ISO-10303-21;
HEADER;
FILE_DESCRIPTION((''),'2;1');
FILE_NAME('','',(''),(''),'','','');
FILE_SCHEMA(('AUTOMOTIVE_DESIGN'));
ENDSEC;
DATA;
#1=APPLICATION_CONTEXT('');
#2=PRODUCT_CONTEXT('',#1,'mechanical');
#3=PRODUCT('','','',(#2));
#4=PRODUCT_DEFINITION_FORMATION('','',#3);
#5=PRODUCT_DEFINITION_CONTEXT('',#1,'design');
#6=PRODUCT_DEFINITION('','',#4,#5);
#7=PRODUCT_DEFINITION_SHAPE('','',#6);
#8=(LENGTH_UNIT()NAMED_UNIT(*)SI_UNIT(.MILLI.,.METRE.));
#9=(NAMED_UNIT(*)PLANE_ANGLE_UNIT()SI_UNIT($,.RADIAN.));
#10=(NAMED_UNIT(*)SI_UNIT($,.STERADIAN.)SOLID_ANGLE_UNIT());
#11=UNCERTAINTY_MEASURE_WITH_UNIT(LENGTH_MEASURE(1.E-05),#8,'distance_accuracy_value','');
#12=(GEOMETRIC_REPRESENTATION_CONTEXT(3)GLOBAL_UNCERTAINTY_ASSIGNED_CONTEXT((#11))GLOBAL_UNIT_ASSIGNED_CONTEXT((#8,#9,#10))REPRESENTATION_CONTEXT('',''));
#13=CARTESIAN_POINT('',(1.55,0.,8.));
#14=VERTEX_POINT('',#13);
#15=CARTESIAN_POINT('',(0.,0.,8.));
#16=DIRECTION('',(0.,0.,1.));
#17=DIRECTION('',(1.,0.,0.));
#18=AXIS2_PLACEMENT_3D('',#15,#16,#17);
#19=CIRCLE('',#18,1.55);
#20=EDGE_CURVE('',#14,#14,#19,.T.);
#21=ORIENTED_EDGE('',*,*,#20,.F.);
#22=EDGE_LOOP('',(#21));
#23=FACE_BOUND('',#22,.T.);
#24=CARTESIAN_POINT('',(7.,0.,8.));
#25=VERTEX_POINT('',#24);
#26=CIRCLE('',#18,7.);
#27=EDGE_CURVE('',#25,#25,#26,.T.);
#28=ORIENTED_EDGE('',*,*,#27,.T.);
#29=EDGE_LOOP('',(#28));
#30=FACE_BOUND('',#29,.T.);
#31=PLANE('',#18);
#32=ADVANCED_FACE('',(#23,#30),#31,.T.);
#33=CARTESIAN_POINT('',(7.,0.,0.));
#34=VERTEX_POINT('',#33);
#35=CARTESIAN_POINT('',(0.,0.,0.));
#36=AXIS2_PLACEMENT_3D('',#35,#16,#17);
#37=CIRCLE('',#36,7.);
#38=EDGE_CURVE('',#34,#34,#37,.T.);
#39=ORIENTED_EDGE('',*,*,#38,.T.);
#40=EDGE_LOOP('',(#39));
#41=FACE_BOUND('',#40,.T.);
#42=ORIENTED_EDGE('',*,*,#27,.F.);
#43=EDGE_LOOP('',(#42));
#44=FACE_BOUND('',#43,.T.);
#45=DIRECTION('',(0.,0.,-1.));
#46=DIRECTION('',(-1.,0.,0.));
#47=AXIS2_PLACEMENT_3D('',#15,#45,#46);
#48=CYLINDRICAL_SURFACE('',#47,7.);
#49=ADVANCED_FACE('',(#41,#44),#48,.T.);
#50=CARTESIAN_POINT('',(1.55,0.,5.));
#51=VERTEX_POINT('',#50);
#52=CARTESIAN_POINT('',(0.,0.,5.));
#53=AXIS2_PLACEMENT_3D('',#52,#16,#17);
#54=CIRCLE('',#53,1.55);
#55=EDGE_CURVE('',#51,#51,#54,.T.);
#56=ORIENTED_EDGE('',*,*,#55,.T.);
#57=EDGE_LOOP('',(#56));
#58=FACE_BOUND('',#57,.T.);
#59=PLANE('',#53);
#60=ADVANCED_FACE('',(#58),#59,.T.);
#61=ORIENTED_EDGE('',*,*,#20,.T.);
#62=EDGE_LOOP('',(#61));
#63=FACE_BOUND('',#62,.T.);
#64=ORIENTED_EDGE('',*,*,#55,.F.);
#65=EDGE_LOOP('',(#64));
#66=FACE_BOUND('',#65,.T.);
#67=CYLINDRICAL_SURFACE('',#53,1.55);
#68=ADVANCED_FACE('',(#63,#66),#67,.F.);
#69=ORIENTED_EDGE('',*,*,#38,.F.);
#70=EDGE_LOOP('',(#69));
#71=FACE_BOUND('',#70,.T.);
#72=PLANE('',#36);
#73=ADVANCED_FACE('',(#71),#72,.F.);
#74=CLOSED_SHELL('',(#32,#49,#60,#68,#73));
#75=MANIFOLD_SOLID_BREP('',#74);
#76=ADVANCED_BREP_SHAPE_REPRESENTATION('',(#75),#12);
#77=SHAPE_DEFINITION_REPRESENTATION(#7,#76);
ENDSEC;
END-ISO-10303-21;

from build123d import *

# Parameters (mm, degrees)
SKETCH1_R           = 7
BOSS_EXTRUDE1_DEPTH = 8
SKETCH2_R           = 1.55
CUT_EXTRUDE1_DEPTH  = 3


with BuildPart() as part:
    # Sketch1 → Boss-Extrude1 (new body)
    with BuildSketch(Plane.XY):
        Circle(SKETCH1_R)
    extrude(amount=BOSS_EXTRUDE1_DEPTH)

    # Sketch2 → Cut-Extrude1 (cut)
    with BuildSketch(Plane.XY.offset(8)):
        Circle(SKETCH2_R)
    extrude(amount=-CUT_EXTRUDE1_DEPTH, mode=Mode.SUBTRACT)


solid = part.part
